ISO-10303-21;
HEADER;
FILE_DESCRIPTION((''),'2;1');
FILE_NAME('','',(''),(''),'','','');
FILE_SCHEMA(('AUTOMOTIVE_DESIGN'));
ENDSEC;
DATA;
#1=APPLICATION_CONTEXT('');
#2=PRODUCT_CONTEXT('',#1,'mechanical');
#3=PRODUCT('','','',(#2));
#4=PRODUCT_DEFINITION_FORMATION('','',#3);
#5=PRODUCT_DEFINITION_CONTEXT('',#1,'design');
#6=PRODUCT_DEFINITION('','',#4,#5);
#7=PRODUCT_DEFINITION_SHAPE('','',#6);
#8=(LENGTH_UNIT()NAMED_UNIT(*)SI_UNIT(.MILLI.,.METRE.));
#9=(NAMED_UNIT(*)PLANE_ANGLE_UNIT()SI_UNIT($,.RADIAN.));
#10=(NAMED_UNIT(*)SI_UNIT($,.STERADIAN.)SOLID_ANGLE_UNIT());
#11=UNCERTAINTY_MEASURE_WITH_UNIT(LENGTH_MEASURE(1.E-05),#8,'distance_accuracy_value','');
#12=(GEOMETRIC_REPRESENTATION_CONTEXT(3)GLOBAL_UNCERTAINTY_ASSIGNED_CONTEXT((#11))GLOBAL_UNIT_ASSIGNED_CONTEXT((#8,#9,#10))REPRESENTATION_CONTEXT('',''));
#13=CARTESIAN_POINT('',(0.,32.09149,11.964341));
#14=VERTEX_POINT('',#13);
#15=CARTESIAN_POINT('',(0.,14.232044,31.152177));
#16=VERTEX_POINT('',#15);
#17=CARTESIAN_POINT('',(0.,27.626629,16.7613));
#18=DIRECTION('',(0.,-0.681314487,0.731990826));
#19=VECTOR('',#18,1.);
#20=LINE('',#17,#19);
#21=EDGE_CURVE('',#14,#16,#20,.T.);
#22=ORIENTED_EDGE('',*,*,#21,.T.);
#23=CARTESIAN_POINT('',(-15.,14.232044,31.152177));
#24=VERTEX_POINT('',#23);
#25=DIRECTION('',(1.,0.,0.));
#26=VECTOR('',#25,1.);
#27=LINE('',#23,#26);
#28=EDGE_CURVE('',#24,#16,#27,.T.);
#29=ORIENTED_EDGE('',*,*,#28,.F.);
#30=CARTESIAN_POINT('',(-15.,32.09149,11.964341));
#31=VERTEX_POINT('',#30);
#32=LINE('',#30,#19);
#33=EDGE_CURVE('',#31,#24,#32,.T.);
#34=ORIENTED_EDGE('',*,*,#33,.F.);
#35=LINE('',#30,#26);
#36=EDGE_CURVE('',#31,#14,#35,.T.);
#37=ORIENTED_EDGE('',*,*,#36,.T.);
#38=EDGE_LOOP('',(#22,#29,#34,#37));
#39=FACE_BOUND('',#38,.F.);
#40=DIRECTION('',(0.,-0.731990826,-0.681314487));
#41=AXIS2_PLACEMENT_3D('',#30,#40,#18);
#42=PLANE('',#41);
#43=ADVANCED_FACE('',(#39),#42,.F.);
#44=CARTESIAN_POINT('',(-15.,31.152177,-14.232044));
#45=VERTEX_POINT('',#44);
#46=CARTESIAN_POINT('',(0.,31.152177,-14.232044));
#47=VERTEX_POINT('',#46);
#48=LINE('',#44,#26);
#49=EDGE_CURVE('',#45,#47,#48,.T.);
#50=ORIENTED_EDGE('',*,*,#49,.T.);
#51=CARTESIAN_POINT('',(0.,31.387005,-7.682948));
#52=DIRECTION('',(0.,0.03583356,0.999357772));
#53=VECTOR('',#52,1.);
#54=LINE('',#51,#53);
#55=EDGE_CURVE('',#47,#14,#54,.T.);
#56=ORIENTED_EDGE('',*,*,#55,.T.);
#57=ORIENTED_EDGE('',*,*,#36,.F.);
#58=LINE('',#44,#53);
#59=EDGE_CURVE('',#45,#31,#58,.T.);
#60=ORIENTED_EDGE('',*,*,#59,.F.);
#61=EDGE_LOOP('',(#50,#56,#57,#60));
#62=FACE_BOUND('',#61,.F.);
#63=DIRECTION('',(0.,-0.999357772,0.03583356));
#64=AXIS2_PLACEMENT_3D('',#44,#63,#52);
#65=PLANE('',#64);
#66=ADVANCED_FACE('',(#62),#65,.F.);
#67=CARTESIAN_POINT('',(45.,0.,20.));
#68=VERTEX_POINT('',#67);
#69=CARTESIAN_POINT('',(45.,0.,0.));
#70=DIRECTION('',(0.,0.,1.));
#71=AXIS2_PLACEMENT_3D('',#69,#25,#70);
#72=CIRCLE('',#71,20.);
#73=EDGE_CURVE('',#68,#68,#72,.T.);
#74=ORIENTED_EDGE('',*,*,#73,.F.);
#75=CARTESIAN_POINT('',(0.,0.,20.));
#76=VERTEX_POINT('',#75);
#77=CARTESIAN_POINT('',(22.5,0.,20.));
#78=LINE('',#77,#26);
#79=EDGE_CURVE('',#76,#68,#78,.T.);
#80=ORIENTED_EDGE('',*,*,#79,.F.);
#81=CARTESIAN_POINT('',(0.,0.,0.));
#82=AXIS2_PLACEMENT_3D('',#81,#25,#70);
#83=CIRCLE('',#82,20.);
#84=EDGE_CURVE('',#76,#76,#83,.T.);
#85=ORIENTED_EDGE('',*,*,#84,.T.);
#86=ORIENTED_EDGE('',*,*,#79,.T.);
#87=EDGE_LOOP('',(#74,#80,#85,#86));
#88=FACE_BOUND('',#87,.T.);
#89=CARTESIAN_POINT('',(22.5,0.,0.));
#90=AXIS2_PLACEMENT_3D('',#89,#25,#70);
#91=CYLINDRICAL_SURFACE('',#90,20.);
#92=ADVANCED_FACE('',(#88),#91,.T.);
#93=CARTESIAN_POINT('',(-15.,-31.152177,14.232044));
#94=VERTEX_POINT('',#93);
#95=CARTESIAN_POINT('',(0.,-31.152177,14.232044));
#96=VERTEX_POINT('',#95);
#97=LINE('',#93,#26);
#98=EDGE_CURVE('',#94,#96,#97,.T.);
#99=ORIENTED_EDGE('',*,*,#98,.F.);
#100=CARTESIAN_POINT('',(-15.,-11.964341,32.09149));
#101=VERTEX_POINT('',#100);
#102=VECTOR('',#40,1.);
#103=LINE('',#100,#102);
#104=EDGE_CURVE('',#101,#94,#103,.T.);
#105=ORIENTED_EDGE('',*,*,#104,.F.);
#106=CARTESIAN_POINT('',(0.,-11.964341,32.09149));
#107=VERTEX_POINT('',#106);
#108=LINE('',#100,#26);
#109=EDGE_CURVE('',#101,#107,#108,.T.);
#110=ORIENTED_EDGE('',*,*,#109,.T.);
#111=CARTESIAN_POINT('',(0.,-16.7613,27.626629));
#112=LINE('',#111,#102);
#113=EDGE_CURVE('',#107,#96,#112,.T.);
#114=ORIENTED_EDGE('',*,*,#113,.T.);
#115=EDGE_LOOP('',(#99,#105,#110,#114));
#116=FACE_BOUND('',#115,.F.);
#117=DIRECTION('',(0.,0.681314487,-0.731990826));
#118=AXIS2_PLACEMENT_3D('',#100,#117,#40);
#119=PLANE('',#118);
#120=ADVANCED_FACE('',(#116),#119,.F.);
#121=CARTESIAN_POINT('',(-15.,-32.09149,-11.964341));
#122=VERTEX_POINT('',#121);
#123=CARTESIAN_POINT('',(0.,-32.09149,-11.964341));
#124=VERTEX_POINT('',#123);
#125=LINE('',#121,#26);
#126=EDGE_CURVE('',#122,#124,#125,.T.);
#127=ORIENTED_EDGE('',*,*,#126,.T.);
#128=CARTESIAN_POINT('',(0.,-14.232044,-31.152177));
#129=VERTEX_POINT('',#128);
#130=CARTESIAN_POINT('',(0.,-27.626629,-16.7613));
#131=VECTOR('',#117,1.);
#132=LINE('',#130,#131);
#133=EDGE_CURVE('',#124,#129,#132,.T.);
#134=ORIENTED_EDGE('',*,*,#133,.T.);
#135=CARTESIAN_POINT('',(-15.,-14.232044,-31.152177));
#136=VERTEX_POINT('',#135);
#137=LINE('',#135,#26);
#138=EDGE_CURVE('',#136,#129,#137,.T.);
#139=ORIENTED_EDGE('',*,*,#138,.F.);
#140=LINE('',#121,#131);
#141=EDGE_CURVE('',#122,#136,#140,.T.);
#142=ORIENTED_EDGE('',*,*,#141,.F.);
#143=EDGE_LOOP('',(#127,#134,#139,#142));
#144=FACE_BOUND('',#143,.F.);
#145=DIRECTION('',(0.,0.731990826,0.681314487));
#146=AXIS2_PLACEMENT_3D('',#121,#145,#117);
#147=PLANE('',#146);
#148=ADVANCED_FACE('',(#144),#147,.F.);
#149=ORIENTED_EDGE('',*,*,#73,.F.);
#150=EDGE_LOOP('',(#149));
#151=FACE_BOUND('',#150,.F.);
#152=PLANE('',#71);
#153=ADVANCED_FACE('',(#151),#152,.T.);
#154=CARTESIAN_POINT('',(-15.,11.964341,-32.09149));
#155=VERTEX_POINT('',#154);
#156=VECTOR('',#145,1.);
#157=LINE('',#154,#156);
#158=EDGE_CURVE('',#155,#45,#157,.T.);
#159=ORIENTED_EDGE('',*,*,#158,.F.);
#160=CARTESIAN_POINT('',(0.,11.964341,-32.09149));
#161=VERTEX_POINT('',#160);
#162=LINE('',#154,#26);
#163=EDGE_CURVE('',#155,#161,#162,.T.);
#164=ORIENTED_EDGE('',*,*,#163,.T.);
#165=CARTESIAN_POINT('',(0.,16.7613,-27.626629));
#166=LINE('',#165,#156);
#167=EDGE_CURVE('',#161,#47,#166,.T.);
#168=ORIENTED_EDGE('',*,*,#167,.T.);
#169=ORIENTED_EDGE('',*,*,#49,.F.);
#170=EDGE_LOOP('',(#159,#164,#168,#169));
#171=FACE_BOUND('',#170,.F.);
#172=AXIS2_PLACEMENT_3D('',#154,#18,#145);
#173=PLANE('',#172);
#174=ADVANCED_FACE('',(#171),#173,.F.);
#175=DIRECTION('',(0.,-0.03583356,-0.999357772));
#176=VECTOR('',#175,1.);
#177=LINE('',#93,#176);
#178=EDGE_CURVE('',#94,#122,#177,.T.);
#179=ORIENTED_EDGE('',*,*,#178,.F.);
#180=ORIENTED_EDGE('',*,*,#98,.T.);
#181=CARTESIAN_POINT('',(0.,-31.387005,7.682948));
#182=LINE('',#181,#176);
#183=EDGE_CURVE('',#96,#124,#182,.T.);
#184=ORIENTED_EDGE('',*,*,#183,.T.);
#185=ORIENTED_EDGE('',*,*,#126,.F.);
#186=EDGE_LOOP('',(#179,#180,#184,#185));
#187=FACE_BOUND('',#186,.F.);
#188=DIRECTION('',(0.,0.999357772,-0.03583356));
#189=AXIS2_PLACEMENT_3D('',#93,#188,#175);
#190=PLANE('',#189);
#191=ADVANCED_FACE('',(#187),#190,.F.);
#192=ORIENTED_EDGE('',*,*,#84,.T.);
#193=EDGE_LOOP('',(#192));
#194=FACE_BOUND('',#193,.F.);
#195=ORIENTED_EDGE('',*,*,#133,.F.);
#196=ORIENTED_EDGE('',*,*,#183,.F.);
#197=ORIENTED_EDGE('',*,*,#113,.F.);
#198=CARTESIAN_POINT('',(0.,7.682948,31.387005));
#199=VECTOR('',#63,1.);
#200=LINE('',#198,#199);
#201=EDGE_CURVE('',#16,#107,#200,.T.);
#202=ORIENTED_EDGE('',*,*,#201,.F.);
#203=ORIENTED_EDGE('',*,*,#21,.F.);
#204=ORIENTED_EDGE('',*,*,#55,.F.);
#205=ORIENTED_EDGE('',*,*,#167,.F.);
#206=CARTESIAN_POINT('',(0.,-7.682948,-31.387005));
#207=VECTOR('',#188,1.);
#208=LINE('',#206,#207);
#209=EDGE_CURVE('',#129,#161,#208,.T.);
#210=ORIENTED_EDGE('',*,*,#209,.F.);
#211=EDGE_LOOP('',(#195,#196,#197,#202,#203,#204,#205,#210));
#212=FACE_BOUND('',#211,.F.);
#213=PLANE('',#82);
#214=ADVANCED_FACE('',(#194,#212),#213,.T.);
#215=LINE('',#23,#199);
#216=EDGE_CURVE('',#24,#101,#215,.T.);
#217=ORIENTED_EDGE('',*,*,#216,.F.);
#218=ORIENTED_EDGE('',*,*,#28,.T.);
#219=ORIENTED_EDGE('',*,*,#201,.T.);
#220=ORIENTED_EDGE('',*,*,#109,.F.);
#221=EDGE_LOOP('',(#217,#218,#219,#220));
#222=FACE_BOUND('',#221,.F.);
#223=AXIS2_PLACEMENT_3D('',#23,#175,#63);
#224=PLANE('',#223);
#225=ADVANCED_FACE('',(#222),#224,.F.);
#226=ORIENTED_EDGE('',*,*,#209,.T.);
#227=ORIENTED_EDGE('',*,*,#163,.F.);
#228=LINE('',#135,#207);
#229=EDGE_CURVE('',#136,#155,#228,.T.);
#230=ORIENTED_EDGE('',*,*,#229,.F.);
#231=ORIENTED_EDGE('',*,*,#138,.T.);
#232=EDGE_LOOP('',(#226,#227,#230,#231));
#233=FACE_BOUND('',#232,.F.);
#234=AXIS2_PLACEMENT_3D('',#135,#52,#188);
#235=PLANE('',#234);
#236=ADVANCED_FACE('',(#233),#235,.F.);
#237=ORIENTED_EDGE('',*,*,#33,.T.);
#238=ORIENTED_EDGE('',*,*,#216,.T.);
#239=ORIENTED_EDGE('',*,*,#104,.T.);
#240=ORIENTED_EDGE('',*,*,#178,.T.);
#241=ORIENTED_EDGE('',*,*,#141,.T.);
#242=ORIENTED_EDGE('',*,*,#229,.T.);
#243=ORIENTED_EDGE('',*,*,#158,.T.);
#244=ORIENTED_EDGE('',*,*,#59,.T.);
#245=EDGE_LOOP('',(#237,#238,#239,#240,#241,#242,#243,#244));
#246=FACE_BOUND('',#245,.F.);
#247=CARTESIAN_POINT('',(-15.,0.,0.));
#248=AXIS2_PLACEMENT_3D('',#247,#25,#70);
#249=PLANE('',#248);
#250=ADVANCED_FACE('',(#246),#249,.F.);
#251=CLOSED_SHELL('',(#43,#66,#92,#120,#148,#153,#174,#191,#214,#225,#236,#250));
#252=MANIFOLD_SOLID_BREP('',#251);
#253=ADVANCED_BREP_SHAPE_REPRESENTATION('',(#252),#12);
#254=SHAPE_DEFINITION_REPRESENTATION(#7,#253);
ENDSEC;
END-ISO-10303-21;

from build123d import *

# Parameters (mm, degrees)
F0_W     = 45
F0_H     = 20
F2_R     = 40
F3_DEPTH = 25


with BuildPart() as f1:
    # F0 (on Front) → F1 (revolve)
    with BuildSketch(Plane.XZ):
        with Locations((22.5, 10)):
            Rectangle(F0_W, F0_H)
        Polygon((-15, 0), (0, 0), (0, 20), (0, 40), (-15, 40), align=None)
    revolve(axis=Axis((5.521053, 0, 0), (1, 0, 0)))

    # F2 (on face) → F3 (cut)
    with BuildSketch(Plane(origin=(-15, 0, 0), x_dir=(0, -1, 0), z_dir=(-1, 0, 0))):
        Circle(F2_R)
        Polygon((-14.232044, 31.152177), (11.964341, 32.09149), (31.152177, 14.232044), (32.09149, -11.964341), (14.232044, -31.152177), (-11.964341, -32.09149), (-31.152177, -14.232044), (-32.09149, 11.964341), align=None, mode=Mode.SUBTRACT)
    extrude(amount=-F3_DEPTH, mode=Mode.SUBTRACT)


solid = f1.part
